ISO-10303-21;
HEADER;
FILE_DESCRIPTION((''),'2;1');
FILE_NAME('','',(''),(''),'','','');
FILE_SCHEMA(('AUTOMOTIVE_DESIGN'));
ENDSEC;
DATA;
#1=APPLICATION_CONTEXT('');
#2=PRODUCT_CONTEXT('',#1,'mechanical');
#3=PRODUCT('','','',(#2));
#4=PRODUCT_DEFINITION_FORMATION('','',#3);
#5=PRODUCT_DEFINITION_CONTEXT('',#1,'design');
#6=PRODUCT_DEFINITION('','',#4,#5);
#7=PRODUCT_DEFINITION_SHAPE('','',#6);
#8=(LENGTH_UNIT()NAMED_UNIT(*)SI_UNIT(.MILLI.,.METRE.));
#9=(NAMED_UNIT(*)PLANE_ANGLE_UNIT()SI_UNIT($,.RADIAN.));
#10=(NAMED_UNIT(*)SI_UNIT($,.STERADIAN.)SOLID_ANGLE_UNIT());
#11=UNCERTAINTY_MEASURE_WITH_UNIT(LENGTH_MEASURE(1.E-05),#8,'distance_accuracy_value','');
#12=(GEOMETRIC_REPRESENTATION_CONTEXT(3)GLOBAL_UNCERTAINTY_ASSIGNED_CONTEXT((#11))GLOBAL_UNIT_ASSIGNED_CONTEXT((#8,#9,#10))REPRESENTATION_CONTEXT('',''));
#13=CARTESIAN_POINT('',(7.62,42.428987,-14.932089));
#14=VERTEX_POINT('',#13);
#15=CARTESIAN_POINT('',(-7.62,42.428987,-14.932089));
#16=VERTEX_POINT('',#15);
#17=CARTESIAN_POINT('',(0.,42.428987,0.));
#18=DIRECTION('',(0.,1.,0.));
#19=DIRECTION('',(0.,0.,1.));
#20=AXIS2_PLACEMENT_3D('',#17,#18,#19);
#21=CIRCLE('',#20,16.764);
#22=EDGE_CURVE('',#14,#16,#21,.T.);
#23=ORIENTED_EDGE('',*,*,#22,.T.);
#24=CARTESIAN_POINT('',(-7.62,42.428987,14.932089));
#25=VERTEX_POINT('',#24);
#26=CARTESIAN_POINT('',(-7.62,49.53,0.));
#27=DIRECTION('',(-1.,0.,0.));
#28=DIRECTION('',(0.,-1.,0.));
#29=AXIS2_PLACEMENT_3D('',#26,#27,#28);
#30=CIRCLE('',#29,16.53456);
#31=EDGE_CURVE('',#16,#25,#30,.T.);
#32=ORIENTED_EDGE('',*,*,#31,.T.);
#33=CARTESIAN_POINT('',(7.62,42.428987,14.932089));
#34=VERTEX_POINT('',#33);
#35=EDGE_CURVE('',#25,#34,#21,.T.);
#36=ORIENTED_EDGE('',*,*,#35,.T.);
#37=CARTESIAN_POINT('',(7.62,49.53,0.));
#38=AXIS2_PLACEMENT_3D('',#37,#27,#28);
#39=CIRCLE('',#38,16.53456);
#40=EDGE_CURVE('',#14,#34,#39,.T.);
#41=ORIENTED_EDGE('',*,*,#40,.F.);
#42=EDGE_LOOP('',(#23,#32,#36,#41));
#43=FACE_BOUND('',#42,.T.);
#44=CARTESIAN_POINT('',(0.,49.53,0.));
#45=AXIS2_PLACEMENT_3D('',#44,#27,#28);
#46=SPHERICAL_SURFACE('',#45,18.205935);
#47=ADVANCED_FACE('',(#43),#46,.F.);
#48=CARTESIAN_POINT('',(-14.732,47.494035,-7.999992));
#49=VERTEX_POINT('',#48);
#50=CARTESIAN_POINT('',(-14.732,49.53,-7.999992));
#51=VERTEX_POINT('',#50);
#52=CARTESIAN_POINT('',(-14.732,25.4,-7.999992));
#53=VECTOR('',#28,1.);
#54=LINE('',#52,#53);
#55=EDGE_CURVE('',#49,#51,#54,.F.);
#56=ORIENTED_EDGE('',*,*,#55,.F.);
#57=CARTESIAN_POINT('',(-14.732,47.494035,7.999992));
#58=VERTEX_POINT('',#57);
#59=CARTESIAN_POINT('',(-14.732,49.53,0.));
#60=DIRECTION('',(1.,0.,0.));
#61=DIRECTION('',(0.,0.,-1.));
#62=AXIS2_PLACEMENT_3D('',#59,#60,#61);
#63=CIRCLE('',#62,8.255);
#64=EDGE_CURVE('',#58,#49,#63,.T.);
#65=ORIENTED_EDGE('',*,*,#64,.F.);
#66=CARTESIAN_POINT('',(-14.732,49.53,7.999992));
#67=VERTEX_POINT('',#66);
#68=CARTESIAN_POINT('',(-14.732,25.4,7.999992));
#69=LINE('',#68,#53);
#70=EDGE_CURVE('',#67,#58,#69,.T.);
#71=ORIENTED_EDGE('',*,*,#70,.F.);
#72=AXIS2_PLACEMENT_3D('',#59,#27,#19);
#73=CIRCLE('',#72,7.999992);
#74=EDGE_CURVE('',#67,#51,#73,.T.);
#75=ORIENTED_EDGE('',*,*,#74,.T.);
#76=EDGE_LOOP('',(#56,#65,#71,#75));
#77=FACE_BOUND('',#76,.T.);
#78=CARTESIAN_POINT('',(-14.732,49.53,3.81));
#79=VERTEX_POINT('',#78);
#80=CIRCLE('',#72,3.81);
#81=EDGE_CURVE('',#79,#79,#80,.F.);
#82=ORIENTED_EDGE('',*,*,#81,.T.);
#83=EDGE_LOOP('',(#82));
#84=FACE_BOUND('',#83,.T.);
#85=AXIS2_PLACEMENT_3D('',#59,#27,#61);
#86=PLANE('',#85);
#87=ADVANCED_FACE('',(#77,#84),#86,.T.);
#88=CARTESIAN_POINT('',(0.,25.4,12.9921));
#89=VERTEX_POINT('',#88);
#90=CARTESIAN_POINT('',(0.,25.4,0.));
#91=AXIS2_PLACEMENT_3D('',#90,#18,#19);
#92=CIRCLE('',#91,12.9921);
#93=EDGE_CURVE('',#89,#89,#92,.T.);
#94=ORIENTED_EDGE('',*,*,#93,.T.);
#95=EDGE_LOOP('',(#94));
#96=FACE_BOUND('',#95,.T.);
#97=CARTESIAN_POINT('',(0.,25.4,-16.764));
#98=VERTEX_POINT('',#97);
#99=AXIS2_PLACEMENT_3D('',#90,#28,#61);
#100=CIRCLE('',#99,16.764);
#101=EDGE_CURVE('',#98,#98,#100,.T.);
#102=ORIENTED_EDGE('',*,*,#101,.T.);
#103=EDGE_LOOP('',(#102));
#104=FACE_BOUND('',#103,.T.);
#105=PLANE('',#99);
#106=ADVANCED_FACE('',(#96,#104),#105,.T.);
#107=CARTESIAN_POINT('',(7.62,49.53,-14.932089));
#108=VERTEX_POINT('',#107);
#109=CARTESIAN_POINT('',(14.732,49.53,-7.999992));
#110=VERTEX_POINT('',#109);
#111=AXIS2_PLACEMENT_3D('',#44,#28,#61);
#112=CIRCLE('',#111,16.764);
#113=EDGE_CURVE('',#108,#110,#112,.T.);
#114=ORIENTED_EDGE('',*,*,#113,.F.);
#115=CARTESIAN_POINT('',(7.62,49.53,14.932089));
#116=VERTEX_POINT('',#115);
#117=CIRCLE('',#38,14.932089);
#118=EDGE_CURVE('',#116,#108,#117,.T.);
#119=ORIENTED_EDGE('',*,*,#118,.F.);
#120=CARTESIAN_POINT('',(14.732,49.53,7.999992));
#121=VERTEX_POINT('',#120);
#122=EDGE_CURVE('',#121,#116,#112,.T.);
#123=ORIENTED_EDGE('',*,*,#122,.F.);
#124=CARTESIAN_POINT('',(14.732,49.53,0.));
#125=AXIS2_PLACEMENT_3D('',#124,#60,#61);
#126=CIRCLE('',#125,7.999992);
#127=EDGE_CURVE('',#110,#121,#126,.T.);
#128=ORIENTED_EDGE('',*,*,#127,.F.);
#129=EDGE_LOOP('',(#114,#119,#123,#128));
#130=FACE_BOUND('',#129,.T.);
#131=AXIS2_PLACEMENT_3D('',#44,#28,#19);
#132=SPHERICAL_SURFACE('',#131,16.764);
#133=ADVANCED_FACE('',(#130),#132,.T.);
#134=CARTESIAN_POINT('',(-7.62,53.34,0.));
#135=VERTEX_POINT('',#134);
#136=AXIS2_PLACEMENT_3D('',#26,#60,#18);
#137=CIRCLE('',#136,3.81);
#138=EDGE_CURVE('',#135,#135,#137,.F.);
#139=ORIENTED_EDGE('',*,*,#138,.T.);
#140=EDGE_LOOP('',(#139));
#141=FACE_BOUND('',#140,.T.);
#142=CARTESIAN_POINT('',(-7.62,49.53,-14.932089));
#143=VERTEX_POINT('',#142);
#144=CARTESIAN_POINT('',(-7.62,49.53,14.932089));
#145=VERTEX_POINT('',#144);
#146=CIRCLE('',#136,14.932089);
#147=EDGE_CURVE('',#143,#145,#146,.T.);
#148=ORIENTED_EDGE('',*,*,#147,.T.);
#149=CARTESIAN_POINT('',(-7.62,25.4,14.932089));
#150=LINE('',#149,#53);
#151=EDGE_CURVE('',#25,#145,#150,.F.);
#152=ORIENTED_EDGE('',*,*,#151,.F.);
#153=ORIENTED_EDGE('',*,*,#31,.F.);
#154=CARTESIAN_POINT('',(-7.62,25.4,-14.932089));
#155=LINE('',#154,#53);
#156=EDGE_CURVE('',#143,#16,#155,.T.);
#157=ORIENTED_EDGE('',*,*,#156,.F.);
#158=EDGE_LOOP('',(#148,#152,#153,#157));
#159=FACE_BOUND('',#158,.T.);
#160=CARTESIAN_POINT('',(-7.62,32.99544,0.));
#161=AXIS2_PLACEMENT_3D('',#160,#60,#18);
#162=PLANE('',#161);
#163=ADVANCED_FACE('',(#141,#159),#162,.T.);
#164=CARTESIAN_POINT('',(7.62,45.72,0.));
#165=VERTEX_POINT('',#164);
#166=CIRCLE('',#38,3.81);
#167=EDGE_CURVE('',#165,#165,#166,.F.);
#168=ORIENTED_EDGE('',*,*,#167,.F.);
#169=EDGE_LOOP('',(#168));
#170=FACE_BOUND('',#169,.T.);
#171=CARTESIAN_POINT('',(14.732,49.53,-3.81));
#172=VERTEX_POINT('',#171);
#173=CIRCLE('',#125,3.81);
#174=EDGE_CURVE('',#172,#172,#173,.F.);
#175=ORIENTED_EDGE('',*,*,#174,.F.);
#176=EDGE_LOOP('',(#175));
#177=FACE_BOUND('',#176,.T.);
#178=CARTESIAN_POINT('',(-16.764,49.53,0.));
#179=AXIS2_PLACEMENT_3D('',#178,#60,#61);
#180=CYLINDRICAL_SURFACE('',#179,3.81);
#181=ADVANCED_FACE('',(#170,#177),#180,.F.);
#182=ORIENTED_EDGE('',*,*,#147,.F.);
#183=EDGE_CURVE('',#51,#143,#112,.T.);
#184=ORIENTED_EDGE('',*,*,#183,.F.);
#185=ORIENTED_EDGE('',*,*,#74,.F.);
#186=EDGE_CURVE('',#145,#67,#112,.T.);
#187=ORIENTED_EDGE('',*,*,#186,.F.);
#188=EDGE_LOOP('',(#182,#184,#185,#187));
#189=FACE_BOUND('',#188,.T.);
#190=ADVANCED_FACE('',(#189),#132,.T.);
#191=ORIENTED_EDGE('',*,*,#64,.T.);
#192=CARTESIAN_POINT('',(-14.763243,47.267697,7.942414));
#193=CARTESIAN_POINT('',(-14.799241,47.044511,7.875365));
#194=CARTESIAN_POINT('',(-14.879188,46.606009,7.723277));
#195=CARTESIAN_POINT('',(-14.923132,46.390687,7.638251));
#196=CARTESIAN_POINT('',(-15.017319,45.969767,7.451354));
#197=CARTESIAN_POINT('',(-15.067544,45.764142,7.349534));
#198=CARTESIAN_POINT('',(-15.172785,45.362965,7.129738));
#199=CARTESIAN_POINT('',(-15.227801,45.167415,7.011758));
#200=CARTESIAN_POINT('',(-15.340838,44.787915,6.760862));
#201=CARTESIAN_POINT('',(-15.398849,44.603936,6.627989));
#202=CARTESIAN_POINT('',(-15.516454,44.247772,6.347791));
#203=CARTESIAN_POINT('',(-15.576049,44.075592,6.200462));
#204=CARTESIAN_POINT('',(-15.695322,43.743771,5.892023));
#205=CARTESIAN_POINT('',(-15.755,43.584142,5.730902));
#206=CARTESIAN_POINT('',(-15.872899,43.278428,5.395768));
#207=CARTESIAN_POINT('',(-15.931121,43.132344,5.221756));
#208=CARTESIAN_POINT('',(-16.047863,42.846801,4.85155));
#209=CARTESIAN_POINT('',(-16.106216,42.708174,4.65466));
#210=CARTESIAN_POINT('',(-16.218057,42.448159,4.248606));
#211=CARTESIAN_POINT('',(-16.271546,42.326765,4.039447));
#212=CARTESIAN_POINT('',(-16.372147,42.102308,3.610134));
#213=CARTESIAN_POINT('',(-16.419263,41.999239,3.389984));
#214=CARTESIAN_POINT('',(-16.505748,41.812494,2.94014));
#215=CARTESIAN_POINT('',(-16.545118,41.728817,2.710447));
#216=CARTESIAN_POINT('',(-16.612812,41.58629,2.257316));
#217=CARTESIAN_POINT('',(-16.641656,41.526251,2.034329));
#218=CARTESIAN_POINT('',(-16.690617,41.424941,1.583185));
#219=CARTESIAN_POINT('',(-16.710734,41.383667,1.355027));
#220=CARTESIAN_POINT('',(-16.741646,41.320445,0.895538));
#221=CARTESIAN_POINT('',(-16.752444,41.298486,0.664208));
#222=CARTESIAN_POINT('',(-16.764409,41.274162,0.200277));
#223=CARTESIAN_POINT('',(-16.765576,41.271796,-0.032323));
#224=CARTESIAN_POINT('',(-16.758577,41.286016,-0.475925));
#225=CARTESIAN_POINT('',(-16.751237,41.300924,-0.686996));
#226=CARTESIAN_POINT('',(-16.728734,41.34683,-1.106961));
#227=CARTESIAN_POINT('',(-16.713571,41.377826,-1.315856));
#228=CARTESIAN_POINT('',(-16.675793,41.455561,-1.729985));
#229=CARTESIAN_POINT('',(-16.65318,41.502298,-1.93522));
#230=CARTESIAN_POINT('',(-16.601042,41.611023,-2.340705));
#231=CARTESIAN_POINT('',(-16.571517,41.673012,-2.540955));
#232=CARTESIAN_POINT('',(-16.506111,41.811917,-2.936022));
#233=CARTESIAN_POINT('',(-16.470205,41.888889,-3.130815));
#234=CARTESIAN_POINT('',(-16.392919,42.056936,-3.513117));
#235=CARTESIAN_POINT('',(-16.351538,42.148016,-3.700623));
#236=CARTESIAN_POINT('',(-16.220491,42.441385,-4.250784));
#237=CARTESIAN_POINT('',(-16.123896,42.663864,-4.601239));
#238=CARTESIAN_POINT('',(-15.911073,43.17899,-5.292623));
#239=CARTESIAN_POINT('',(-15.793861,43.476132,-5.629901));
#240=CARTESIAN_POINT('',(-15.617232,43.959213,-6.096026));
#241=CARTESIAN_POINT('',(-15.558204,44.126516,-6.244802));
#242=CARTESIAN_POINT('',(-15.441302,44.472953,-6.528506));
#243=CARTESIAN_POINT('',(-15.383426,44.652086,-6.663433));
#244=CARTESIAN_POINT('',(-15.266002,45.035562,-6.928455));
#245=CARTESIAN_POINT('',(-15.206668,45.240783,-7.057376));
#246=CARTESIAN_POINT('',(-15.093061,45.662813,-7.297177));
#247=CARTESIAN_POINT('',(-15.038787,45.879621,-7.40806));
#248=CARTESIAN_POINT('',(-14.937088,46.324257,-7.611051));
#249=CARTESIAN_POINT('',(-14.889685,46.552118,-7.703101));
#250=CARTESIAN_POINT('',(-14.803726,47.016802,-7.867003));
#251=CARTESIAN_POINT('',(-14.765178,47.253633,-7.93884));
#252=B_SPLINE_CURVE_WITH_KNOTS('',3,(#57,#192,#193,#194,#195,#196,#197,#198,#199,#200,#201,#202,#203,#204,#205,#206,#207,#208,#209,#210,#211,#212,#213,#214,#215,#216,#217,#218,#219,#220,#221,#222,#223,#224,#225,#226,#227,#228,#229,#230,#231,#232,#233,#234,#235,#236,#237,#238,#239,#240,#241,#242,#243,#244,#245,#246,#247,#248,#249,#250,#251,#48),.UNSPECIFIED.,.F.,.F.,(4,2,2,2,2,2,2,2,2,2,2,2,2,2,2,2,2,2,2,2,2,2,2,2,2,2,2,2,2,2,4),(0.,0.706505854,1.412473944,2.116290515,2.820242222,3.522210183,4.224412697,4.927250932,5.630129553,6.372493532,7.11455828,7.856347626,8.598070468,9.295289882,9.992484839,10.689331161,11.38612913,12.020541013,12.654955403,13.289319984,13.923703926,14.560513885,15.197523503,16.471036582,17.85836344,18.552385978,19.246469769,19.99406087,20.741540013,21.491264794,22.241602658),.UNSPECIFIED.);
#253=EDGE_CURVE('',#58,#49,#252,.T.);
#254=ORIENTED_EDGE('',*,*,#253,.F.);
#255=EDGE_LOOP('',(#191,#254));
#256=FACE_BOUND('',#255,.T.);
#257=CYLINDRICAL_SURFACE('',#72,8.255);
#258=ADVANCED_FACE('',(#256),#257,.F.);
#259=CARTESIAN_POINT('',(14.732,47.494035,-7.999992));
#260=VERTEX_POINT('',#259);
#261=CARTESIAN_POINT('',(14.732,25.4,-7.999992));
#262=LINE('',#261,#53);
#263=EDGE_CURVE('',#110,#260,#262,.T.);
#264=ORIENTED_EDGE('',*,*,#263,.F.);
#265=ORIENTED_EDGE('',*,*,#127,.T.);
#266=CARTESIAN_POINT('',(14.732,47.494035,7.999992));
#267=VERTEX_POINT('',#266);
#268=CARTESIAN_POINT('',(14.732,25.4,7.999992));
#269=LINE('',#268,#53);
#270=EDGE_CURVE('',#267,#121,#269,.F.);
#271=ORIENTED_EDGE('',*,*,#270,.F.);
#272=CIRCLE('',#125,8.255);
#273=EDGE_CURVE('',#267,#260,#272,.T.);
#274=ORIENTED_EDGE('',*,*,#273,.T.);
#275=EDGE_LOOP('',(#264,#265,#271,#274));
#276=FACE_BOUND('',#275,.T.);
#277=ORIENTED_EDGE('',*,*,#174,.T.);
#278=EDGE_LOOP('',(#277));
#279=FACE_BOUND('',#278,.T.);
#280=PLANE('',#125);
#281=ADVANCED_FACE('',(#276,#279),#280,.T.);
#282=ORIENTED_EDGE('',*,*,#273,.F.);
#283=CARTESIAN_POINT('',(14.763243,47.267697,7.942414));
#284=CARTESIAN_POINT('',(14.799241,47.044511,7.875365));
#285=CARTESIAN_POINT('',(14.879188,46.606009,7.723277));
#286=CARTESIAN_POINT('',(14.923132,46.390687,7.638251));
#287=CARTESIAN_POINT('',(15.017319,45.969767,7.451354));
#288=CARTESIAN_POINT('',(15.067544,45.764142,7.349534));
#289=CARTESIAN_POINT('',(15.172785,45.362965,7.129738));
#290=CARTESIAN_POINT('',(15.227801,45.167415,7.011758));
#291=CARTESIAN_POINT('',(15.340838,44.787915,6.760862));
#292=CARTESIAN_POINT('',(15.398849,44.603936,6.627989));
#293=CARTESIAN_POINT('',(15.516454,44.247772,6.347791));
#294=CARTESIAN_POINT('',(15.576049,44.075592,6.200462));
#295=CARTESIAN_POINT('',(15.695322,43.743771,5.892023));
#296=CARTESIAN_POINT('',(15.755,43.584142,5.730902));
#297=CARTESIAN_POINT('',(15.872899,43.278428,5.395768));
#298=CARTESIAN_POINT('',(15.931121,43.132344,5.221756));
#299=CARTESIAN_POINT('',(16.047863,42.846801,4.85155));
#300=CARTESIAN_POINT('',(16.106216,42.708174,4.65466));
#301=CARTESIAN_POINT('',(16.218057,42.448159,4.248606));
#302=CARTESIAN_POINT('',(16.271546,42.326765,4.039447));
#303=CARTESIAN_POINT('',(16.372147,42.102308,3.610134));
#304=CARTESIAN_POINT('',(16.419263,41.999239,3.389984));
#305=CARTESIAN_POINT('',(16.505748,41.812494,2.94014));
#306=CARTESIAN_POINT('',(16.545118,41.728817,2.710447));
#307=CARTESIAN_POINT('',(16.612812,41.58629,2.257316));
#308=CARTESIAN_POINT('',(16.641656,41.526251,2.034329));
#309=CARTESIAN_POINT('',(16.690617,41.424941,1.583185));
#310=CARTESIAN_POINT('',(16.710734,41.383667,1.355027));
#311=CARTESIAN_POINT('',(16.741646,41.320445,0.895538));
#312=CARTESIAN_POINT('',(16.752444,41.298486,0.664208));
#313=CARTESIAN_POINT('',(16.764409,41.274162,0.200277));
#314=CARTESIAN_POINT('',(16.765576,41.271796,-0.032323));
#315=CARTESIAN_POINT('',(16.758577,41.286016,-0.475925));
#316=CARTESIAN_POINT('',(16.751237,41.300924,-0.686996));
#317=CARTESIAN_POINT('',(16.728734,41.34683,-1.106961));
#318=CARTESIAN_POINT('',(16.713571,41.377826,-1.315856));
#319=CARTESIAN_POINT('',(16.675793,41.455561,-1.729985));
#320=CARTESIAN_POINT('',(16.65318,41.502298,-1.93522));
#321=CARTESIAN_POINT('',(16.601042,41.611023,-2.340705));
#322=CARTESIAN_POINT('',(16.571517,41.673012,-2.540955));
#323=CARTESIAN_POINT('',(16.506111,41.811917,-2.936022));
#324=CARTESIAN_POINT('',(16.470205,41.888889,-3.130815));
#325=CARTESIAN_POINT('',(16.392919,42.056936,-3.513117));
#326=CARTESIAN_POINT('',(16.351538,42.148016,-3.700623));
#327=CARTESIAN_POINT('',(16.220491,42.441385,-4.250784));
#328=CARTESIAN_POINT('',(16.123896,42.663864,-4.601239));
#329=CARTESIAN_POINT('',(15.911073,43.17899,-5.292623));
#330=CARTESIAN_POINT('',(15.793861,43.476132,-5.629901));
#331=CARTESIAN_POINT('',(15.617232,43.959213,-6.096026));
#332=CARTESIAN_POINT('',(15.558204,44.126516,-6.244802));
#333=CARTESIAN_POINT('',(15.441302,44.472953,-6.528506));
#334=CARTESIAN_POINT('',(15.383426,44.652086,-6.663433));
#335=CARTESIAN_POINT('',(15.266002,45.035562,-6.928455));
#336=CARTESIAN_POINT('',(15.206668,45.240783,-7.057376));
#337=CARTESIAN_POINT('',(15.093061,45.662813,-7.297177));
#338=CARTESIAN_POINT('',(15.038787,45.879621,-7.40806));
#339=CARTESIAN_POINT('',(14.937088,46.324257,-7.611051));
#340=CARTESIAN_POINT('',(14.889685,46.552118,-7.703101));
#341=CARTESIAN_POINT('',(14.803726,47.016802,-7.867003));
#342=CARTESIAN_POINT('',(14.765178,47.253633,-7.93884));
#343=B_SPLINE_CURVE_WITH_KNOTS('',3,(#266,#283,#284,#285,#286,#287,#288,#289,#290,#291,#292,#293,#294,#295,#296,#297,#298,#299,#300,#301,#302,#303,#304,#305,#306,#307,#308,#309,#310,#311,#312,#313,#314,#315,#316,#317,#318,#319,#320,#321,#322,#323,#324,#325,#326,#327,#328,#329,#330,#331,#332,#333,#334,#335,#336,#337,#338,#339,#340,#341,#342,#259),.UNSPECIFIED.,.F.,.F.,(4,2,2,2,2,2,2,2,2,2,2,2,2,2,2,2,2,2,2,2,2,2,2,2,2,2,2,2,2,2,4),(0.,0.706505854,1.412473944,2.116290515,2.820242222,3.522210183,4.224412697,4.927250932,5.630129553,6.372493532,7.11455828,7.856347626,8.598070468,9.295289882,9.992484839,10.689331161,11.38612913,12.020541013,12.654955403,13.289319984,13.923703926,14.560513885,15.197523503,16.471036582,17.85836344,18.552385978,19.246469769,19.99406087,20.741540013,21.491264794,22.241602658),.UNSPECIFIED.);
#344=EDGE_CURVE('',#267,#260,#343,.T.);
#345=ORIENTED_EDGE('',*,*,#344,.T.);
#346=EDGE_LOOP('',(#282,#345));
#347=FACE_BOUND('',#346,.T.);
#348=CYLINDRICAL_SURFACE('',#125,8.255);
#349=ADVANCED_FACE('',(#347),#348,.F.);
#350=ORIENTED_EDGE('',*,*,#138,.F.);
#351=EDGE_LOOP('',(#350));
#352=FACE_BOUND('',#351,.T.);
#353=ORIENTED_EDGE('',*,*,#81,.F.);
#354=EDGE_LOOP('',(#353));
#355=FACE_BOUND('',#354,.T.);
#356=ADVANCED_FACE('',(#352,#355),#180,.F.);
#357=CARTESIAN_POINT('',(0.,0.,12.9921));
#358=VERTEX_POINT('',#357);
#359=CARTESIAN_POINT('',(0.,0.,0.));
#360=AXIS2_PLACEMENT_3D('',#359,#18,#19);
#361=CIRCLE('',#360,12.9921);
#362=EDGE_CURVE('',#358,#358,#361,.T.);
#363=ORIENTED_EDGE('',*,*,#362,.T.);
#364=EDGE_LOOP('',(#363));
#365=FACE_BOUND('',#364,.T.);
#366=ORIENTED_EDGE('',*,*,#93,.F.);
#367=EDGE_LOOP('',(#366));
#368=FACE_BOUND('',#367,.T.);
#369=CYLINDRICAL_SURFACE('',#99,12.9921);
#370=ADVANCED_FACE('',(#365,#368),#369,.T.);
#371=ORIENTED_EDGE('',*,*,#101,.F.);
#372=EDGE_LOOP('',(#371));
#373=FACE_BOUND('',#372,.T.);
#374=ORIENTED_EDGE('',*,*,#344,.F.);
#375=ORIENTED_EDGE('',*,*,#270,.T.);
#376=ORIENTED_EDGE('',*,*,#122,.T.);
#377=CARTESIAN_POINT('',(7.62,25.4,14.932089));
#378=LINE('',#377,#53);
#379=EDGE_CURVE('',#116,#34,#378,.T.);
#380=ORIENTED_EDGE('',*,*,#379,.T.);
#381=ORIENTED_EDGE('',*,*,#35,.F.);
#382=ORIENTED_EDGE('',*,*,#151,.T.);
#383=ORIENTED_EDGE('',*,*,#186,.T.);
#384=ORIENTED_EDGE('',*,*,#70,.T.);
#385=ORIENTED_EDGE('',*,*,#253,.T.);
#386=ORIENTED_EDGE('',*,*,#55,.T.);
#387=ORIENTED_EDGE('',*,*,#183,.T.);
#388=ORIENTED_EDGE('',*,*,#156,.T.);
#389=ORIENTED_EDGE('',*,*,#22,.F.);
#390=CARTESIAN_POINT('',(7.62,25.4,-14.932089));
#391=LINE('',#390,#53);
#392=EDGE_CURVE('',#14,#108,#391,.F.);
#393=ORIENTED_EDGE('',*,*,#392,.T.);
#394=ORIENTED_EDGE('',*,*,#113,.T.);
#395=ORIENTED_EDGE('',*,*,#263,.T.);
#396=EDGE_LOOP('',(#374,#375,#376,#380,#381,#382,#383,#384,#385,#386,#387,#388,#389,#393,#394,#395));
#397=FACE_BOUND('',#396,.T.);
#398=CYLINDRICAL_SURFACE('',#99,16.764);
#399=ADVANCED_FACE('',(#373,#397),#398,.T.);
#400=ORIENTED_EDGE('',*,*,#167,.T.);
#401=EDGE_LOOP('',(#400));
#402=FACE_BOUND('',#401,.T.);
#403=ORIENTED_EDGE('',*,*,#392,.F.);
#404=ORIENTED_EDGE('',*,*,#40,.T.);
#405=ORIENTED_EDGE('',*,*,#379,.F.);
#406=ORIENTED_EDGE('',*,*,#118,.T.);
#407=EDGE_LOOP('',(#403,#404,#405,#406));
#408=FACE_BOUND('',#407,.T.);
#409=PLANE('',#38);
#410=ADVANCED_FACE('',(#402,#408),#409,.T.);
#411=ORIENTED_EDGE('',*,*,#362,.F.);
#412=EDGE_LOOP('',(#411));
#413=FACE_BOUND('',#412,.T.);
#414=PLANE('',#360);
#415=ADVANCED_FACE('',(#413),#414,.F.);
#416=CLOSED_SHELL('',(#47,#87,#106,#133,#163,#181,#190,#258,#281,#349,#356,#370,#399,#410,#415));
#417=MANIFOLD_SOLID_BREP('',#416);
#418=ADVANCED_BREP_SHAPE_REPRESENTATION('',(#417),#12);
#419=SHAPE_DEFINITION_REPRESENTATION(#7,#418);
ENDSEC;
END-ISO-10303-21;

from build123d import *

# Parameters (mm, degrees)
SKETCH1_R               = 12.9921
BOSS_EXTRUDE1_DEPTH     = 25.4
CUT_EXTRUDE1_DEPTH      = 71.405666164
CUT_EXTRUDE1_DEPTH_BACK = 71.405666164
SKETCH3_R               = 3.81
SKETCH6_R               = 8.255
CUT_EXTRUDE2_DEPTH      = 2.032


with BuildPart() as part:
    # Sketch1 → Boss-Extrude1 (new body)
    with BuildSketch(Plane(origin=(0, 0, 0), x_dir=(1, 0, 0), z_dir=(0, 1, 0))):
        with Locations(Location((0, 0, 0), (0, 0, 270))):
            Circle(SKETCH1_R)
    extrude(amount=BOSS_EXTRUDE1_DEPTH)

    # Sketch2 → Revolve1 (revolve)
    with BuildSketch(Plane(origin=(0, 0, 0), x_dir=(0, 0, -1), z_dir=(1, 0, 0))):
        with BuildLine():
            Line((-16.764, 25.4), (-16.764, 49.53))
            ThreePointArc((-16.764, 49.53), (-11.85393808, 61.38393808), (0, 66.294))
            Line((0, 66.294), (0, 25.4))
            Line((0, 25.4), (-16.764, 25.4))
        make_face()
    revolve(axis=Axis((0, 25.4, 0), (0, 1, 0)))

    # Sketch3 → Cut-Extrude1 (cut, two sides: drawn at the far end of the back side and taken through both)
    with BuildSketch(Plane(origin=(0, 0, 0), x_dir=(0, 0, -1), z_dir=(1, 0, 0)).offset(-CUT_EXTRUDE1_DEPTH_BACK)):
        with Locations((0, 49.53)):
            Circle(SKETCH3_R)
    extrude(amount=CUT_EXTRUDE1_DEPTH + CUT_EXTRUDE1_DEPTH_BACK, mode=Mode.SUBTRACT)

    # Sketch4 → Cut-Revolve1 (revolve, cut)
    with BuildSketch(Plane.XY, mode=Mode.PRIVATE) as cut_revolve1_sk:
        with BuildLine():
            Line((-7.62, 32.995439638), (-7.62, 49.53))
            Line((-7.62, 49.53), (7.62, 49.53))
            Line((7.62, 49.53), (7.62, 32.995439638))
            ThreePointArc((7.62, 32.995439638), (0, 31.32406453), (-7.62, 32.995439638))
        make_face()
    revolve(cut_revolve1_sk.sketch.rotate(Axis((-7.62, 49.53, 0), (1, 0, 0)), 90), axis=Axis((-7.62, 49.53, 0), (1, 0, 0)), mode=Mode.SUBTRACT)

    # Sketch6 → Cut-Extrude2 (cut)
    with BuildSketch(Plane(origin=(16.764, 0, 0), x_dir=(0, 0, -1), z_dir=(1, 0, 0))):
        with Locations((0, 49.53)):
            Circle(SKETCH6_R)
    cut_extrude2 = extrude(amount=-CUT_EXTRUDE2_DEPTH, mode=Mode.SUBTRACT)

    # Mirror1: Cut-Extrude2 across plane
    add(cut_extrude2.mirror(Plane(origin=(0, 0, 0), x_dir=(0, 0, 1), z_dir=(1, 0, 0))), mode=Mode.SUBTRACT)


solid = part.part
